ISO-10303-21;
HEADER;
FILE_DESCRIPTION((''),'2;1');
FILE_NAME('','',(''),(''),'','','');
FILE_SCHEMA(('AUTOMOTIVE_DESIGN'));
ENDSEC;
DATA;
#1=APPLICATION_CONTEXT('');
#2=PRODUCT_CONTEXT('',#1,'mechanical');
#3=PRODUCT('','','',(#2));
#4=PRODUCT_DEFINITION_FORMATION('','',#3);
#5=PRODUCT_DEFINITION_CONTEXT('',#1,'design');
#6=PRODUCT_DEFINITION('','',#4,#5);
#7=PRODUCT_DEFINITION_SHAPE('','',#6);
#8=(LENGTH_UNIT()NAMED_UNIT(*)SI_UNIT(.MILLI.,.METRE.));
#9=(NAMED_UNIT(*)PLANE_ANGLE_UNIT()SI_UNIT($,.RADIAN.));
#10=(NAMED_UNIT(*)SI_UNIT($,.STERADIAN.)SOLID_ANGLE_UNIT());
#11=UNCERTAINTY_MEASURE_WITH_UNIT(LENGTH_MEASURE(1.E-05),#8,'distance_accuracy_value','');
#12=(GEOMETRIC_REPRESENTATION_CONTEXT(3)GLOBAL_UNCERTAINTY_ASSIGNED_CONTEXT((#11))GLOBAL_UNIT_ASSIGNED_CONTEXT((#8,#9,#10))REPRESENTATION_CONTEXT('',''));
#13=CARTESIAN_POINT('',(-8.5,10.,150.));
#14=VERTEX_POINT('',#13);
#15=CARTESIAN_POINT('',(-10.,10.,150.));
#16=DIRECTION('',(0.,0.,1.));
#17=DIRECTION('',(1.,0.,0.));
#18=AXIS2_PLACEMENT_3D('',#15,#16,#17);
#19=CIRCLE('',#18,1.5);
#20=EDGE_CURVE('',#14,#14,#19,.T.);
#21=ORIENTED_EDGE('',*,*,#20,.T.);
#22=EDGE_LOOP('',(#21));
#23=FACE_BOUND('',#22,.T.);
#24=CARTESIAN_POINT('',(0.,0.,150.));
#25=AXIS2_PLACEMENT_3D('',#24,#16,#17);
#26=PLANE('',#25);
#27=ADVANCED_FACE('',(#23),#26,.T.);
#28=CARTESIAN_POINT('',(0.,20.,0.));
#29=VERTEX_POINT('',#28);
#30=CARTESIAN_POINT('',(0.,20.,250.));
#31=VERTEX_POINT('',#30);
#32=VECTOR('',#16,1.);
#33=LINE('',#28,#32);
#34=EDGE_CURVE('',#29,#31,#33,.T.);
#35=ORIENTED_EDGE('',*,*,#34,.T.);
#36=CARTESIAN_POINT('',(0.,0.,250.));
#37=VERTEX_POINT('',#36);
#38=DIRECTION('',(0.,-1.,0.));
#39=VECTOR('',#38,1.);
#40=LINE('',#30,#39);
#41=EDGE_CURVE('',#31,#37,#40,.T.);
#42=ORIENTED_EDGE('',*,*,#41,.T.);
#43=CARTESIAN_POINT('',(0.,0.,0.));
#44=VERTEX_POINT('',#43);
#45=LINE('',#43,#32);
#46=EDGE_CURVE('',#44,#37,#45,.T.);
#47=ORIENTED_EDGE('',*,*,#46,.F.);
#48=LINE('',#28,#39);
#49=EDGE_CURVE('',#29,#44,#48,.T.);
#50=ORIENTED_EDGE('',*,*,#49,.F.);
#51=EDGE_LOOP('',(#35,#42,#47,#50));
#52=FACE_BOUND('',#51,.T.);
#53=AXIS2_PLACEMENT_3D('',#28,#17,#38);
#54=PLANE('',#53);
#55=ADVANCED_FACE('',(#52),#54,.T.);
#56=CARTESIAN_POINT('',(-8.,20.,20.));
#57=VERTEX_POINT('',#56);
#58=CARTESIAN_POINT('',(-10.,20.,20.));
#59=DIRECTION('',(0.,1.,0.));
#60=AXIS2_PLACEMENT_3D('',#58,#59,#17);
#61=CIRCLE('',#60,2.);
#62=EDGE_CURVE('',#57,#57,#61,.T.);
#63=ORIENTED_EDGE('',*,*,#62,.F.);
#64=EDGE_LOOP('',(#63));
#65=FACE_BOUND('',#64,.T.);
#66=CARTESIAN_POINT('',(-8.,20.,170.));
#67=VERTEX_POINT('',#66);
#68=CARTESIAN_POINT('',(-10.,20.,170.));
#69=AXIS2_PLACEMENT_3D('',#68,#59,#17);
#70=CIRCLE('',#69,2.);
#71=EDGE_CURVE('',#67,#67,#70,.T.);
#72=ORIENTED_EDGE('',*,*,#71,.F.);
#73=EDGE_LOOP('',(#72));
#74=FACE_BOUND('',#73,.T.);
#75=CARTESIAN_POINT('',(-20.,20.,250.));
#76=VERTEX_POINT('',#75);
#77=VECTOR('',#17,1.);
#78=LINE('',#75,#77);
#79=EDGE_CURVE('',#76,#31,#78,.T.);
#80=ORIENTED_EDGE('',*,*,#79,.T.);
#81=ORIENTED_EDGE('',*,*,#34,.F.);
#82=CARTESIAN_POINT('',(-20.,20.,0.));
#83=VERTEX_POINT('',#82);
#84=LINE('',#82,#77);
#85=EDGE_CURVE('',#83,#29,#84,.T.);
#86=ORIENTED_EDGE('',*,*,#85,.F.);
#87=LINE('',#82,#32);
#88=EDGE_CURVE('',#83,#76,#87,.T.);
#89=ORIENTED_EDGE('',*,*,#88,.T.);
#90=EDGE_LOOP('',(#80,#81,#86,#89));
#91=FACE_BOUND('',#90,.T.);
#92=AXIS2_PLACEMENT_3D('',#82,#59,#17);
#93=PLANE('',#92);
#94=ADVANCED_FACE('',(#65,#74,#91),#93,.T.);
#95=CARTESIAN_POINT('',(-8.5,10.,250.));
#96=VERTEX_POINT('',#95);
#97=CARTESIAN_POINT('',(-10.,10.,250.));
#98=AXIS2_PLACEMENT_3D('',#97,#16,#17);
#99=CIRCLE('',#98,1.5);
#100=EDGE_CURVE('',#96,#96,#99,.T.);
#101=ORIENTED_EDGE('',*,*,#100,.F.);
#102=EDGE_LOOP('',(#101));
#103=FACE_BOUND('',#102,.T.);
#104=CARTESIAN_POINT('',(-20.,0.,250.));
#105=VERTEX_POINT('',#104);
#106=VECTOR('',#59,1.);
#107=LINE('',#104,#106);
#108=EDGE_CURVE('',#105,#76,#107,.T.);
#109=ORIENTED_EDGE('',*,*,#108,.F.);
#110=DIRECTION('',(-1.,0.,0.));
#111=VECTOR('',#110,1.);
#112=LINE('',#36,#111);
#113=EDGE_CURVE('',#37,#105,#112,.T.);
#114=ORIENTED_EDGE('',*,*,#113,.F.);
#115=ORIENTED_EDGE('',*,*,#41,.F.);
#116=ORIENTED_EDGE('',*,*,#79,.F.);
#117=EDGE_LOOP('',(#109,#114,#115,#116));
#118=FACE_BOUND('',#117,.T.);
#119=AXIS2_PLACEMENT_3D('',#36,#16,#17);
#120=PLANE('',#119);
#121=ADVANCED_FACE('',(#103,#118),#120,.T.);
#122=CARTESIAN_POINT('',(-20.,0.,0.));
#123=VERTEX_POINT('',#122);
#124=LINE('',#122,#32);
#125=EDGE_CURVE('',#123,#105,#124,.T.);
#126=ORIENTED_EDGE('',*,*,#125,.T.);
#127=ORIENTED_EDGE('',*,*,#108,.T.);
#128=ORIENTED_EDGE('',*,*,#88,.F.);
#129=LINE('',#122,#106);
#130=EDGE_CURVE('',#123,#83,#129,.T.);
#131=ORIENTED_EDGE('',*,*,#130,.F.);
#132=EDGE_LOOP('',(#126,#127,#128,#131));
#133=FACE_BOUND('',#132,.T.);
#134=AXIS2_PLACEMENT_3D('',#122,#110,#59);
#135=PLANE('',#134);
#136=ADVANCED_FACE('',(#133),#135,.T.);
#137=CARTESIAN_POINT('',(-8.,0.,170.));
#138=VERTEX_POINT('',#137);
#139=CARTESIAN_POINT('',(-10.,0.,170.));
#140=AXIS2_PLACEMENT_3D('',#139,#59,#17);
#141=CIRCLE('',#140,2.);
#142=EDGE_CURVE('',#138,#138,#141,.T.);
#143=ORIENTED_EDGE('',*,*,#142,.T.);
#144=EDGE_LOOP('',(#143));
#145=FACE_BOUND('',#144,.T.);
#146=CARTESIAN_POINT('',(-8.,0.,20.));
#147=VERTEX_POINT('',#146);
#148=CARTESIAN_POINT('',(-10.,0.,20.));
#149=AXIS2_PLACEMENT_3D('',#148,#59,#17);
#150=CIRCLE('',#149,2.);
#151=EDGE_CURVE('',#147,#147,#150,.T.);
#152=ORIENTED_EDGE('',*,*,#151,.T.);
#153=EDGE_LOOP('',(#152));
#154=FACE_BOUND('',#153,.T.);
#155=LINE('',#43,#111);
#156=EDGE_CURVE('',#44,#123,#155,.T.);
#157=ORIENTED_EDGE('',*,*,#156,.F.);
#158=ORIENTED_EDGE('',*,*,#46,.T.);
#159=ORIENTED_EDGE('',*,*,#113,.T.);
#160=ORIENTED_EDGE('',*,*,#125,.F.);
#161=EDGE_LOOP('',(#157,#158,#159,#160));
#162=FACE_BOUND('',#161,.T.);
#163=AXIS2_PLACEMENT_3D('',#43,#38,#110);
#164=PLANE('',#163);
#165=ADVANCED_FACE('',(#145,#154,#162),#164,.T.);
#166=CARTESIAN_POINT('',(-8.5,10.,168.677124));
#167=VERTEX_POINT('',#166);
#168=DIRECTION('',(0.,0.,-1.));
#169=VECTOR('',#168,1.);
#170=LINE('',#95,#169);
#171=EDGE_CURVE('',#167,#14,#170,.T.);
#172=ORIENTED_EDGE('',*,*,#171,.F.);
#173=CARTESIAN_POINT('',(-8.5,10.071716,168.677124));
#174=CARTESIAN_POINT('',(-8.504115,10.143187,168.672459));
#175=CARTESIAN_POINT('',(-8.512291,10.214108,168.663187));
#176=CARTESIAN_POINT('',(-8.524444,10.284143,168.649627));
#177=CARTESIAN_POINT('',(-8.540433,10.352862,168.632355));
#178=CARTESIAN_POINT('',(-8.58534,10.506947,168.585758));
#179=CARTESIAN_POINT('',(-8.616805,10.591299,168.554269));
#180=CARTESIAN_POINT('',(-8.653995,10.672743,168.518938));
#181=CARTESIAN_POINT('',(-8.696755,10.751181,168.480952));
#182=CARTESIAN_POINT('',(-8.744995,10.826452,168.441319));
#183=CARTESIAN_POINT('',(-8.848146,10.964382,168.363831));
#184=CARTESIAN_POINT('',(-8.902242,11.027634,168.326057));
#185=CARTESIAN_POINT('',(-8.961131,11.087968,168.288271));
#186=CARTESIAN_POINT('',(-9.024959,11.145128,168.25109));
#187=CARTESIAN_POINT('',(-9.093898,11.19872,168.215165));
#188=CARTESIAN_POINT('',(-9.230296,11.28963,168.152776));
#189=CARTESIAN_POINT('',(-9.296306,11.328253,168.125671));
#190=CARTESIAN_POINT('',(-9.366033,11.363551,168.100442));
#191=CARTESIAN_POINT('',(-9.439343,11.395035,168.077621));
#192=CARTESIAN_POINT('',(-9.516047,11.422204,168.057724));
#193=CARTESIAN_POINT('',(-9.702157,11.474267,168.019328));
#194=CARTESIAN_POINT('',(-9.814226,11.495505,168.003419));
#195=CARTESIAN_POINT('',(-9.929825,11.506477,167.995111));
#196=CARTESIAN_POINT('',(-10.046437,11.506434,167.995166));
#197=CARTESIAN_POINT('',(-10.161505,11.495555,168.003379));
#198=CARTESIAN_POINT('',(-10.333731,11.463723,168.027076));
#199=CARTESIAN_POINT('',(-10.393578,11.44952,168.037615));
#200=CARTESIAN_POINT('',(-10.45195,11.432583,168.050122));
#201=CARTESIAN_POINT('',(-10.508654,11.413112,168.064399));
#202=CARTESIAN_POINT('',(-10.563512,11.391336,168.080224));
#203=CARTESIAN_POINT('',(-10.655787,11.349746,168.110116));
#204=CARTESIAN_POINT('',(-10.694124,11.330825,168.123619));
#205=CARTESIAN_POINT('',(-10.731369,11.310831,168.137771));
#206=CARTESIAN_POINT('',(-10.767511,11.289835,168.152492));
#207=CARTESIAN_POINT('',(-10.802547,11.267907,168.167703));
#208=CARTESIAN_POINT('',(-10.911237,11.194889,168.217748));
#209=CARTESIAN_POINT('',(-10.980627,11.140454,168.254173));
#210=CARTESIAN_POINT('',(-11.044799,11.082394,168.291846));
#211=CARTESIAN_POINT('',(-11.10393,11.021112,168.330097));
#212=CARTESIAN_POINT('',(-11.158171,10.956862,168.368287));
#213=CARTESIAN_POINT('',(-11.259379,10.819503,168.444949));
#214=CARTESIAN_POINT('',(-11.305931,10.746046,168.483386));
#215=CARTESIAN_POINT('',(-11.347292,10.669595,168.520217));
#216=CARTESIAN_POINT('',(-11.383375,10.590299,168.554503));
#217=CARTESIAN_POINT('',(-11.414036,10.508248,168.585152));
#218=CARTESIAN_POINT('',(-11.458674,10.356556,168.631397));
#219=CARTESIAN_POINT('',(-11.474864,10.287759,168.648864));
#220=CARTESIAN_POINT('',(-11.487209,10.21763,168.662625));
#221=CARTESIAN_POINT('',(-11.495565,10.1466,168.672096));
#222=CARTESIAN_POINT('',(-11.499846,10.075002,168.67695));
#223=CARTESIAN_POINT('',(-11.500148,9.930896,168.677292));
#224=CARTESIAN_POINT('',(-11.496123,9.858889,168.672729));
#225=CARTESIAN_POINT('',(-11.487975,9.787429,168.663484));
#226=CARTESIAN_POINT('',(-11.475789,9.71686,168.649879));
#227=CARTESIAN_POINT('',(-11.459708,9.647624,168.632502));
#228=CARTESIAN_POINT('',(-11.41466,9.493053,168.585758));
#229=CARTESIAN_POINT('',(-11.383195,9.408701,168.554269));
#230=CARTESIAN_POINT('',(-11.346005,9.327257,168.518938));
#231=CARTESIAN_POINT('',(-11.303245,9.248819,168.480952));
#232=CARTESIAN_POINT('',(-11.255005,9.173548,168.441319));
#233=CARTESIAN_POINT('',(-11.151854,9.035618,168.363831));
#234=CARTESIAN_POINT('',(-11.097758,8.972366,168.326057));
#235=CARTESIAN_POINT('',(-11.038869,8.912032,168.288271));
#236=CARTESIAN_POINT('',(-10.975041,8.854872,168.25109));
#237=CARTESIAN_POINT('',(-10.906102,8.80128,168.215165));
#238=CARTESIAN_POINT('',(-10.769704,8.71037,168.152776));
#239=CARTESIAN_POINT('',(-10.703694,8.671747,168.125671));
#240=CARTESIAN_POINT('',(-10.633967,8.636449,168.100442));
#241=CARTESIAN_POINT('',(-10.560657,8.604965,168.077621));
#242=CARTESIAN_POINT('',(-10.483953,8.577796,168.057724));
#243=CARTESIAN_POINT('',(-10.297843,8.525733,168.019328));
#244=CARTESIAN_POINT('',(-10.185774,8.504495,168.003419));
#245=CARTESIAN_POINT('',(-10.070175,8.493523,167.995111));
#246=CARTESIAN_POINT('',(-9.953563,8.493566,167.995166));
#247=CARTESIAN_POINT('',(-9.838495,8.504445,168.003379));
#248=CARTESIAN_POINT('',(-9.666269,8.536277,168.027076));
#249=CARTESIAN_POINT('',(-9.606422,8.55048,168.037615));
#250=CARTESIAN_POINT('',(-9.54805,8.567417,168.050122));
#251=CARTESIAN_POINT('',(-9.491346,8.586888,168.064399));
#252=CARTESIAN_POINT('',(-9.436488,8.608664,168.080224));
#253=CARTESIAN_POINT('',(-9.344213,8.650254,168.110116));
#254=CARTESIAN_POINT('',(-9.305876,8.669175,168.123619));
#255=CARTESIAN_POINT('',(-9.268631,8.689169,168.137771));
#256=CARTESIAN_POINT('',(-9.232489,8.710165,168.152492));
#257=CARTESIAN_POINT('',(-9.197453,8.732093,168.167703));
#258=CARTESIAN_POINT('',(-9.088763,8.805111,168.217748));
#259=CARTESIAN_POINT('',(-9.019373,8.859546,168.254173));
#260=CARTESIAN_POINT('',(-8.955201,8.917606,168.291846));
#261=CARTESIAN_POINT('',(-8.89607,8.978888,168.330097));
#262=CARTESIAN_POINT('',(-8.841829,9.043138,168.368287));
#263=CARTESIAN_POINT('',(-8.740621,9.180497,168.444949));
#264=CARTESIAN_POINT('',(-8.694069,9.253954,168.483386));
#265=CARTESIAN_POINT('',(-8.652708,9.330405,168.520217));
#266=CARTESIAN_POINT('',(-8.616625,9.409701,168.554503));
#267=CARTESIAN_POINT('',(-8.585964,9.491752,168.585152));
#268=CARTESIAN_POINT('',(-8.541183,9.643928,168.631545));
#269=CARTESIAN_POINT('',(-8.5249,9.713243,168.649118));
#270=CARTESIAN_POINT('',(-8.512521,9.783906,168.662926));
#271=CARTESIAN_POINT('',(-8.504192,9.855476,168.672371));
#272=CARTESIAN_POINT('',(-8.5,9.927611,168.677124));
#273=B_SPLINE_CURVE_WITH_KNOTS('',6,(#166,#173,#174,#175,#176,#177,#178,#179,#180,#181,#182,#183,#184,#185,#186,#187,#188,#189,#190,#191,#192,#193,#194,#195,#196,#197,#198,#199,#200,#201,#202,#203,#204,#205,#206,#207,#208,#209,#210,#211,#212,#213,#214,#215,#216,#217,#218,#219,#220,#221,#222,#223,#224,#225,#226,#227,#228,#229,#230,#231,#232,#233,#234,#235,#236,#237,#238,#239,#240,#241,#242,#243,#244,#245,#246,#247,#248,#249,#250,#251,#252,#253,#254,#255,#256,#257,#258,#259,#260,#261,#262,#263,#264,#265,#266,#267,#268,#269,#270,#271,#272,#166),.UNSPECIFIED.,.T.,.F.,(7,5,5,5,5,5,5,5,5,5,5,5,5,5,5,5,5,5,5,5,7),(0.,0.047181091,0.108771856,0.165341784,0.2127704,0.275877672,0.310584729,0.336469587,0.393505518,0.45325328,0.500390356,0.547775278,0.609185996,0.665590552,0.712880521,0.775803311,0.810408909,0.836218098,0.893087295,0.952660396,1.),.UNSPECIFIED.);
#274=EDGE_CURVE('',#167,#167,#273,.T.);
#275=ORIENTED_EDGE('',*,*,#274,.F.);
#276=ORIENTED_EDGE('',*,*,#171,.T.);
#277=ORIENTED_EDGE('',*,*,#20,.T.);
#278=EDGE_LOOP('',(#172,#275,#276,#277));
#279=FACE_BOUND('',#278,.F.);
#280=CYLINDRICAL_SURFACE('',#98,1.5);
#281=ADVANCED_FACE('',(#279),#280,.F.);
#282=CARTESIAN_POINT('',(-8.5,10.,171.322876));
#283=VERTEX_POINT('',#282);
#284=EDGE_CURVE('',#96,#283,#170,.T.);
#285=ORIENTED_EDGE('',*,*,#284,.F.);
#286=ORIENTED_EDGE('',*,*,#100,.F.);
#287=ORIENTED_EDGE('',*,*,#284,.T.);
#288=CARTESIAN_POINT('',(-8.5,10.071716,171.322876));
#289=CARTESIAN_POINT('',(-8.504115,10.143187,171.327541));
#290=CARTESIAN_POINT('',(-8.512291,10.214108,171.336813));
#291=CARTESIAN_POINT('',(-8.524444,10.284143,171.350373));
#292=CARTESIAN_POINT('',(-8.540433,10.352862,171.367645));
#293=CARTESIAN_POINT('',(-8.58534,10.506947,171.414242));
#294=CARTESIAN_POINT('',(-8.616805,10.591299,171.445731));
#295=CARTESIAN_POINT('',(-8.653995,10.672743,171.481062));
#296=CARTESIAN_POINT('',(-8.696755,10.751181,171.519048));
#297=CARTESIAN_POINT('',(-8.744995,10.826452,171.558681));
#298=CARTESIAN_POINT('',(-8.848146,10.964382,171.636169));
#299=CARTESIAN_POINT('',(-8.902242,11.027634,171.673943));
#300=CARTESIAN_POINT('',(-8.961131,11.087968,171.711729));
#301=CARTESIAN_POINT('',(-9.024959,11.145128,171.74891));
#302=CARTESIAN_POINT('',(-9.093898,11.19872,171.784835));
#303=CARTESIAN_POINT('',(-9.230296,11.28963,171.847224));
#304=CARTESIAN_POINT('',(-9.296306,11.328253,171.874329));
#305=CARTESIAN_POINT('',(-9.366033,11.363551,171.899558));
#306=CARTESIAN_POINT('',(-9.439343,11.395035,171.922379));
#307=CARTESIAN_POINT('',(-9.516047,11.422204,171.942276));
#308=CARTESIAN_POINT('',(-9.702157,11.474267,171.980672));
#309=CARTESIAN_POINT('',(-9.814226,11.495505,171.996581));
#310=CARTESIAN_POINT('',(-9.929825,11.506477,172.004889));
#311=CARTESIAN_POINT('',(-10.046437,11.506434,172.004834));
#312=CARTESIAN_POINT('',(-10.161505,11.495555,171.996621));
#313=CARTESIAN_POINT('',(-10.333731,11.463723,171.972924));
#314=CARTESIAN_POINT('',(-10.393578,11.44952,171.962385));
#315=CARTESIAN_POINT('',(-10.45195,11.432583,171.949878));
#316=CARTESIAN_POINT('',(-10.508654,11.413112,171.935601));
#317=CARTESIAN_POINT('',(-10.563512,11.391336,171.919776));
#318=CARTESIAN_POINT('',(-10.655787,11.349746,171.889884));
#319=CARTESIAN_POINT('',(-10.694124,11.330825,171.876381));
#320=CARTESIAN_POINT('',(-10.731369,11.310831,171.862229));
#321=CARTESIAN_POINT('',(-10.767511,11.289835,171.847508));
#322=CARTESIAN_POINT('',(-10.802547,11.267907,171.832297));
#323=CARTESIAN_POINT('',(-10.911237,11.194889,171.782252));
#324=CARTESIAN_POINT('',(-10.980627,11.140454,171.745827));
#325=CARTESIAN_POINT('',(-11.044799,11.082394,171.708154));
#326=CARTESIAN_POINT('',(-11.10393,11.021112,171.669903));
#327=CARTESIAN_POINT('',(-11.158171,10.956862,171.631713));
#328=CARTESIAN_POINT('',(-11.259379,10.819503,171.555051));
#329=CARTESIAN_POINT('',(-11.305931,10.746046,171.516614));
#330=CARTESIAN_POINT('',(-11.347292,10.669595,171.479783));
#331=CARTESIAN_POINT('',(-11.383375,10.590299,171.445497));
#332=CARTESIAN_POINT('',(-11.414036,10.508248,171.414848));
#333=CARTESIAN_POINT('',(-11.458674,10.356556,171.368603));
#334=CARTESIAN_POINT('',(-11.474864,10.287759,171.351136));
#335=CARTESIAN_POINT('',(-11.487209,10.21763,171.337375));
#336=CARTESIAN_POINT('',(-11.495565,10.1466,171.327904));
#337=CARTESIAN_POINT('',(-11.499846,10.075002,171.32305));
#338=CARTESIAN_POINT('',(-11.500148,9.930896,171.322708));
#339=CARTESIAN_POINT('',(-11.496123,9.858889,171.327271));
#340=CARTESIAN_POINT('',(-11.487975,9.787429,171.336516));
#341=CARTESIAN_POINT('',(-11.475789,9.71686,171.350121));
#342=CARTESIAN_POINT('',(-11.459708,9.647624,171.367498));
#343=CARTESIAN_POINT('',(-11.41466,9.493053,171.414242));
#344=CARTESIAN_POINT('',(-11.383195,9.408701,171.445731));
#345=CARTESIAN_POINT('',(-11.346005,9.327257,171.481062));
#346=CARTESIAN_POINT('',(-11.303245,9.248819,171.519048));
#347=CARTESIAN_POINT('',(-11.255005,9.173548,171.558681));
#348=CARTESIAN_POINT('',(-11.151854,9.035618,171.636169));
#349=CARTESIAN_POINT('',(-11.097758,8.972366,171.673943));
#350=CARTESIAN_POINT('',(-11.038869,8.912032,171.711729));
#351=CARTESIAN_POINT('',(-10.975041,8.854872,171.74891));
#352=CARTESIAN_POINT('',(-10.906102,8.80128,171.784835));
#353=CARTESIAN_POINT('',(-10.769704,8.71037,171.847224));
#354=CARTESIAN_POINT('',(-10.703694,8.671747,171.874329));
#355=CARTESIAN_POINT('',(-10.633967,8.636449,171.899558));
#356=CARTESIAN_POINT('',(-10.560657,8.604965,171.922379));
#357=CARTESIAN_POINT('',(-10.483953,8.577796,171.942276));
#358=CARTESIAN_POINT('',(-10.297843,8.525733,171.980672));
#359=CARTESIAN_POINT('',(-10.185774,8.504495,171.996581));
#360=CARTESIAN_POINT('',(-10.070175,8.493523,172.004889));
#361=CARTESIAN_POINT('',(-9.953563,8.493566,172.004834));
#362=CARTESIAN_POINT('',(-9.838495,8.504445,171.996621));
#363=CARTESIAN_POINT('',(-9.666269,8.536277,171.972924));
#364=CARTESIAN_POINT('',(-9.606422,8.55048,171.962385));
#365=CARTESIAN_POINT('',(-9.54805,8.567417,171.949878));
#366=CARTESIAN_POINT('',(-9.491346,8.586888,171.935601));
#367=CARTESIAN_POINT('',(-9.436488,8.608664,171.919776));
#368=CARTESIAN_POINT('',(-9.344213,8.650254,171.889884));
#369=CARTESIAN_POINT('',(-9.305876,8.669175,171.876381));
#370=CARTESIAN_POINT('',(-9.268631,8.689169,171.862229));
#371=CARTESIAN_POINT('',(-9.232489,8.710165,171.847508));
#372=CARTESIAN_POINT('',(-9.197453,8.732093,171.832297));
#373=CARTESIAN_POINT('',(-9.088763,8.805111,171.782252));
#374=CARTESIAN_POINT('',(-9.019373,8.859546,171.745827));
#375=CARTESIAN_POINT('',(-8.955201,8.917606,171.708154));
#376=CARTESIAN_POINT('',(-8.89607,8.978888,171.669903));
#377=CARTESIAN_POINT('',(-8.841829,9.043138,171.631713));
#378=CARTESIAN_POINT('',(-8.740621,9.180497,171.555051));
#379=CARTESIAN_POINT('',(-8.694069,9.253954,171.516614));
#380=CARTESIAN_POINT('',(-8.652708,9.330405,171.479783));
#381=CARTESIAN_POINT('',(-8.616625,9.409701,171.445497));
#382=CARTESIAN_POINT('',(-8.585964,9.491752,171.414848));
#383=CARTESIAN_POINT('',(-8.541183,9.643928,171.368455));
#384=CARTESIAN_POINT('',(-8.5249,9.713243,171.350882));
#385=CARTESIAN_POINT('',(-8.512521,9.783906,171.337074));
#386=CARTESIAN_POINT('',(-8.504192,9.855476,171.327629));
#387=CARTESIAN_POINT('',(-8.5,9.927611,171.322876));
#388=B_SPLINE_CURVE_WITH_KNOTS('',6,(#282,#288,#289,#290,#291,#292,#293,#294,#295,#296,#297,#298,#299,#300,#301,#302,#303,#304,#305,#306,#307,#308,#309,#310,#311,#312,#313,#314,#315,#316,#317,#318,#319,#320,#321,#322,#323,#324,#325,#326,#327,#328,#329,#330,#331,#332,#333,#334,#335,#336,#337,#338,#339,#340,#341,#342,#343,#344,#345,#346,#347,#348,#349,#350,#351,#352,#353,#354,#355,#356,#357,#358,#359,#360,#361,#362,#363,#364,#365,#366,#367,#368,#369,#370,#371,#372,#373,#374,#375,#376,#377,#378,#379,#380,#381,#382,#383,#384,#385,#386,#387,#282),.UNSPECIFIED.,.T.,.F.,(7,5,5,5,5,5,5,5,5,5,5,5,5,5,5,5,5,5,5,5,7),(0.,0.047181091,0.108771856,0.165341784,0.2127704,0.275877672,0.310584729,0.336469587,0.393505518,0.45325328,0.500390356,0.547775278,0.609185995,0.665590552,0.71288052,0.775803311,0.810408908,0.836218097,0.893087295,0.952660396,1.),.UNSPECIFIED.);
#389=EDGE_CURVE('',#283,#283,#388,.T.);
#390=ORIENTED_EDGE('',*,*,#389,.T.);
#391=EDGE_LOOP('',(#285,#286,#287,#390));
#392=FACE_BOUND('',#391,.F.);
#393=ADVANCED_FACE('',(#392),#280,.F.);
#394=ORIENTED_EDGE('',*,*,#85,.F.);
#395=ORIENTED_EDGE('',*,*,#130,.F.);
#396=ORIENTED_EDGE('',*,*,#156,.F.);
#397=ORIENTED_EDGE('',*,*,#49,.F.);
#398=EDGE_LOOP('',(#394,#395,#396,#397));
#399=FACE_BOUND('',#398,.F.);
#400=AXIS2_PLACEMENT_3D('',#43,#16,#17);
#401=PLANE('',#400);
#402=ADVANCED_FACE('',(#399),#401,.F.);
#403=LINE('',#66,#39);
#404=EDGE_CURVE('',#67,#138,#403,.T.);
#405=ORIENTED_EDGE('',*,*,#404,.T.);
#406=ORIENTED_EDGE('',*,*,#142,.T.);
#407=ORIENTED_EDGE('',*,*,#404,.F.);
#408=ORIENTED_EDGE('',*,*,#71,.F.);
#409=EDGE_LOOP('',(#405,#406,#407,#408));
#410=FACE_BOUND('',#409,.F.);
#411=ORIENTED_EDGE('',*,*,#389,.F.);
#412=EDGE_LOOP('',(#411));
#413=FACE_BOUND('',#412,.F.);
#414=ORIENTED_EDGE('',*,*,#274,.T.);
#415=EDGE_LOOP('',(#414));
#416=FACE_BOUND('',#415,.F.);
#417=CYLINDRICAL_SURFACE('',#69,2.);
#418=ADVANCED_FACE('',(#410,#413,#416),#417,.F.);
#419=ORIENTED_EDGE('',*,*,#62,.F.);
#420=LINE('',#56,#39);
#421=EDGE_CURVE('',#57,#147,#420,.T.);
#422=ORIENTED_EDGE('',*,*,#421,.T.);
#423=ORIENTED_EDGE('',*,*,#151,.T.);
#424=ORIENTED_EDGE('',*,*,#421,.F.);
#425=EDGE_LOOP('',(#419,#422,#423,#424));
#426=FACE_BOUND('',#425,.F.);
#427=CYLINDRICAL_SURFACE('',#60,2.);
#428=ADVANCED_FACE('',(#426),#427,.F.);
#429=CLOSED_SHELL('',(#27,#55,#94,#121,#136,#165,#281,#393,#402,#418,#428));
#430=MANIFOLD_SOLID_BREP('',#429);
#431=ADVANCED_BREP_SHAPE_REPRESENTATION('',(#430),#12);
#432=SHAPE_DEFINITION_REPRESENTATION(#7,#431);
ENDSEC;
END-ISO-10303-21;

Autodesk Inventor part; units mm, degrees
ref_plane "YZ Plane" through (0, 0, 0) normal (1, 0, 0) x (0, 1, 0)
ref_plane "XZ Plane" through (0, 0, 0) normal (0, 1, 0) x (-1, 0, 0)
ref_plane "XY Plane" through (0, 0, 0) normal (0, 0, 1) x (1, 0, 0)
sketch "Sketch1" plane through (0, 0, 0) normal (0, 0, 1) x (1, 0, 0)
  line L0 (0, 0) -> (-20, 0)
  line L1 (-20, 0) -> (-20, 20)
  line L2 (-20, 20) -> (0, 20)
  line L3 (0, 20) -> (0, 0)
  dimension "d0" = 20
  dimension "d1" = 20
extrude "Extrusion1" add sketch "Sketch1" along normal blind 250
sketch "Sketch2" plane through (0, 0, 250) normal (0, 0, 1) x (1, 0, 0)
  line L0 (0, 0) -> (-20, 20) construction
  circle A0 centre (-10, 10) radius 1.5
  dimension "d4" = 3
extrude "Extrusion2" cut sketch "Sketch2" against normal blind 100
sketch "Sketch3" plane through (-20, 20, 0) normal (0, 1, 0) x (1, 0, 0)
  line L0 (20, 0) -> (0, 0) projected
  line L1 (10, 0) -> (10, -250) construction
  circle A0 centre (10, -20) radius 2
  circle A1 centre (10, -170) radius 2
  dimension "d7" = 4
  dimension "d8" = 4
  dimension "d9" = 20
  dimension "d11" = 150
extrude "Extrusion3" cut sketch "Sketch3" against normal through all
properties part number "legno 1" material "Wood (Birch)"
